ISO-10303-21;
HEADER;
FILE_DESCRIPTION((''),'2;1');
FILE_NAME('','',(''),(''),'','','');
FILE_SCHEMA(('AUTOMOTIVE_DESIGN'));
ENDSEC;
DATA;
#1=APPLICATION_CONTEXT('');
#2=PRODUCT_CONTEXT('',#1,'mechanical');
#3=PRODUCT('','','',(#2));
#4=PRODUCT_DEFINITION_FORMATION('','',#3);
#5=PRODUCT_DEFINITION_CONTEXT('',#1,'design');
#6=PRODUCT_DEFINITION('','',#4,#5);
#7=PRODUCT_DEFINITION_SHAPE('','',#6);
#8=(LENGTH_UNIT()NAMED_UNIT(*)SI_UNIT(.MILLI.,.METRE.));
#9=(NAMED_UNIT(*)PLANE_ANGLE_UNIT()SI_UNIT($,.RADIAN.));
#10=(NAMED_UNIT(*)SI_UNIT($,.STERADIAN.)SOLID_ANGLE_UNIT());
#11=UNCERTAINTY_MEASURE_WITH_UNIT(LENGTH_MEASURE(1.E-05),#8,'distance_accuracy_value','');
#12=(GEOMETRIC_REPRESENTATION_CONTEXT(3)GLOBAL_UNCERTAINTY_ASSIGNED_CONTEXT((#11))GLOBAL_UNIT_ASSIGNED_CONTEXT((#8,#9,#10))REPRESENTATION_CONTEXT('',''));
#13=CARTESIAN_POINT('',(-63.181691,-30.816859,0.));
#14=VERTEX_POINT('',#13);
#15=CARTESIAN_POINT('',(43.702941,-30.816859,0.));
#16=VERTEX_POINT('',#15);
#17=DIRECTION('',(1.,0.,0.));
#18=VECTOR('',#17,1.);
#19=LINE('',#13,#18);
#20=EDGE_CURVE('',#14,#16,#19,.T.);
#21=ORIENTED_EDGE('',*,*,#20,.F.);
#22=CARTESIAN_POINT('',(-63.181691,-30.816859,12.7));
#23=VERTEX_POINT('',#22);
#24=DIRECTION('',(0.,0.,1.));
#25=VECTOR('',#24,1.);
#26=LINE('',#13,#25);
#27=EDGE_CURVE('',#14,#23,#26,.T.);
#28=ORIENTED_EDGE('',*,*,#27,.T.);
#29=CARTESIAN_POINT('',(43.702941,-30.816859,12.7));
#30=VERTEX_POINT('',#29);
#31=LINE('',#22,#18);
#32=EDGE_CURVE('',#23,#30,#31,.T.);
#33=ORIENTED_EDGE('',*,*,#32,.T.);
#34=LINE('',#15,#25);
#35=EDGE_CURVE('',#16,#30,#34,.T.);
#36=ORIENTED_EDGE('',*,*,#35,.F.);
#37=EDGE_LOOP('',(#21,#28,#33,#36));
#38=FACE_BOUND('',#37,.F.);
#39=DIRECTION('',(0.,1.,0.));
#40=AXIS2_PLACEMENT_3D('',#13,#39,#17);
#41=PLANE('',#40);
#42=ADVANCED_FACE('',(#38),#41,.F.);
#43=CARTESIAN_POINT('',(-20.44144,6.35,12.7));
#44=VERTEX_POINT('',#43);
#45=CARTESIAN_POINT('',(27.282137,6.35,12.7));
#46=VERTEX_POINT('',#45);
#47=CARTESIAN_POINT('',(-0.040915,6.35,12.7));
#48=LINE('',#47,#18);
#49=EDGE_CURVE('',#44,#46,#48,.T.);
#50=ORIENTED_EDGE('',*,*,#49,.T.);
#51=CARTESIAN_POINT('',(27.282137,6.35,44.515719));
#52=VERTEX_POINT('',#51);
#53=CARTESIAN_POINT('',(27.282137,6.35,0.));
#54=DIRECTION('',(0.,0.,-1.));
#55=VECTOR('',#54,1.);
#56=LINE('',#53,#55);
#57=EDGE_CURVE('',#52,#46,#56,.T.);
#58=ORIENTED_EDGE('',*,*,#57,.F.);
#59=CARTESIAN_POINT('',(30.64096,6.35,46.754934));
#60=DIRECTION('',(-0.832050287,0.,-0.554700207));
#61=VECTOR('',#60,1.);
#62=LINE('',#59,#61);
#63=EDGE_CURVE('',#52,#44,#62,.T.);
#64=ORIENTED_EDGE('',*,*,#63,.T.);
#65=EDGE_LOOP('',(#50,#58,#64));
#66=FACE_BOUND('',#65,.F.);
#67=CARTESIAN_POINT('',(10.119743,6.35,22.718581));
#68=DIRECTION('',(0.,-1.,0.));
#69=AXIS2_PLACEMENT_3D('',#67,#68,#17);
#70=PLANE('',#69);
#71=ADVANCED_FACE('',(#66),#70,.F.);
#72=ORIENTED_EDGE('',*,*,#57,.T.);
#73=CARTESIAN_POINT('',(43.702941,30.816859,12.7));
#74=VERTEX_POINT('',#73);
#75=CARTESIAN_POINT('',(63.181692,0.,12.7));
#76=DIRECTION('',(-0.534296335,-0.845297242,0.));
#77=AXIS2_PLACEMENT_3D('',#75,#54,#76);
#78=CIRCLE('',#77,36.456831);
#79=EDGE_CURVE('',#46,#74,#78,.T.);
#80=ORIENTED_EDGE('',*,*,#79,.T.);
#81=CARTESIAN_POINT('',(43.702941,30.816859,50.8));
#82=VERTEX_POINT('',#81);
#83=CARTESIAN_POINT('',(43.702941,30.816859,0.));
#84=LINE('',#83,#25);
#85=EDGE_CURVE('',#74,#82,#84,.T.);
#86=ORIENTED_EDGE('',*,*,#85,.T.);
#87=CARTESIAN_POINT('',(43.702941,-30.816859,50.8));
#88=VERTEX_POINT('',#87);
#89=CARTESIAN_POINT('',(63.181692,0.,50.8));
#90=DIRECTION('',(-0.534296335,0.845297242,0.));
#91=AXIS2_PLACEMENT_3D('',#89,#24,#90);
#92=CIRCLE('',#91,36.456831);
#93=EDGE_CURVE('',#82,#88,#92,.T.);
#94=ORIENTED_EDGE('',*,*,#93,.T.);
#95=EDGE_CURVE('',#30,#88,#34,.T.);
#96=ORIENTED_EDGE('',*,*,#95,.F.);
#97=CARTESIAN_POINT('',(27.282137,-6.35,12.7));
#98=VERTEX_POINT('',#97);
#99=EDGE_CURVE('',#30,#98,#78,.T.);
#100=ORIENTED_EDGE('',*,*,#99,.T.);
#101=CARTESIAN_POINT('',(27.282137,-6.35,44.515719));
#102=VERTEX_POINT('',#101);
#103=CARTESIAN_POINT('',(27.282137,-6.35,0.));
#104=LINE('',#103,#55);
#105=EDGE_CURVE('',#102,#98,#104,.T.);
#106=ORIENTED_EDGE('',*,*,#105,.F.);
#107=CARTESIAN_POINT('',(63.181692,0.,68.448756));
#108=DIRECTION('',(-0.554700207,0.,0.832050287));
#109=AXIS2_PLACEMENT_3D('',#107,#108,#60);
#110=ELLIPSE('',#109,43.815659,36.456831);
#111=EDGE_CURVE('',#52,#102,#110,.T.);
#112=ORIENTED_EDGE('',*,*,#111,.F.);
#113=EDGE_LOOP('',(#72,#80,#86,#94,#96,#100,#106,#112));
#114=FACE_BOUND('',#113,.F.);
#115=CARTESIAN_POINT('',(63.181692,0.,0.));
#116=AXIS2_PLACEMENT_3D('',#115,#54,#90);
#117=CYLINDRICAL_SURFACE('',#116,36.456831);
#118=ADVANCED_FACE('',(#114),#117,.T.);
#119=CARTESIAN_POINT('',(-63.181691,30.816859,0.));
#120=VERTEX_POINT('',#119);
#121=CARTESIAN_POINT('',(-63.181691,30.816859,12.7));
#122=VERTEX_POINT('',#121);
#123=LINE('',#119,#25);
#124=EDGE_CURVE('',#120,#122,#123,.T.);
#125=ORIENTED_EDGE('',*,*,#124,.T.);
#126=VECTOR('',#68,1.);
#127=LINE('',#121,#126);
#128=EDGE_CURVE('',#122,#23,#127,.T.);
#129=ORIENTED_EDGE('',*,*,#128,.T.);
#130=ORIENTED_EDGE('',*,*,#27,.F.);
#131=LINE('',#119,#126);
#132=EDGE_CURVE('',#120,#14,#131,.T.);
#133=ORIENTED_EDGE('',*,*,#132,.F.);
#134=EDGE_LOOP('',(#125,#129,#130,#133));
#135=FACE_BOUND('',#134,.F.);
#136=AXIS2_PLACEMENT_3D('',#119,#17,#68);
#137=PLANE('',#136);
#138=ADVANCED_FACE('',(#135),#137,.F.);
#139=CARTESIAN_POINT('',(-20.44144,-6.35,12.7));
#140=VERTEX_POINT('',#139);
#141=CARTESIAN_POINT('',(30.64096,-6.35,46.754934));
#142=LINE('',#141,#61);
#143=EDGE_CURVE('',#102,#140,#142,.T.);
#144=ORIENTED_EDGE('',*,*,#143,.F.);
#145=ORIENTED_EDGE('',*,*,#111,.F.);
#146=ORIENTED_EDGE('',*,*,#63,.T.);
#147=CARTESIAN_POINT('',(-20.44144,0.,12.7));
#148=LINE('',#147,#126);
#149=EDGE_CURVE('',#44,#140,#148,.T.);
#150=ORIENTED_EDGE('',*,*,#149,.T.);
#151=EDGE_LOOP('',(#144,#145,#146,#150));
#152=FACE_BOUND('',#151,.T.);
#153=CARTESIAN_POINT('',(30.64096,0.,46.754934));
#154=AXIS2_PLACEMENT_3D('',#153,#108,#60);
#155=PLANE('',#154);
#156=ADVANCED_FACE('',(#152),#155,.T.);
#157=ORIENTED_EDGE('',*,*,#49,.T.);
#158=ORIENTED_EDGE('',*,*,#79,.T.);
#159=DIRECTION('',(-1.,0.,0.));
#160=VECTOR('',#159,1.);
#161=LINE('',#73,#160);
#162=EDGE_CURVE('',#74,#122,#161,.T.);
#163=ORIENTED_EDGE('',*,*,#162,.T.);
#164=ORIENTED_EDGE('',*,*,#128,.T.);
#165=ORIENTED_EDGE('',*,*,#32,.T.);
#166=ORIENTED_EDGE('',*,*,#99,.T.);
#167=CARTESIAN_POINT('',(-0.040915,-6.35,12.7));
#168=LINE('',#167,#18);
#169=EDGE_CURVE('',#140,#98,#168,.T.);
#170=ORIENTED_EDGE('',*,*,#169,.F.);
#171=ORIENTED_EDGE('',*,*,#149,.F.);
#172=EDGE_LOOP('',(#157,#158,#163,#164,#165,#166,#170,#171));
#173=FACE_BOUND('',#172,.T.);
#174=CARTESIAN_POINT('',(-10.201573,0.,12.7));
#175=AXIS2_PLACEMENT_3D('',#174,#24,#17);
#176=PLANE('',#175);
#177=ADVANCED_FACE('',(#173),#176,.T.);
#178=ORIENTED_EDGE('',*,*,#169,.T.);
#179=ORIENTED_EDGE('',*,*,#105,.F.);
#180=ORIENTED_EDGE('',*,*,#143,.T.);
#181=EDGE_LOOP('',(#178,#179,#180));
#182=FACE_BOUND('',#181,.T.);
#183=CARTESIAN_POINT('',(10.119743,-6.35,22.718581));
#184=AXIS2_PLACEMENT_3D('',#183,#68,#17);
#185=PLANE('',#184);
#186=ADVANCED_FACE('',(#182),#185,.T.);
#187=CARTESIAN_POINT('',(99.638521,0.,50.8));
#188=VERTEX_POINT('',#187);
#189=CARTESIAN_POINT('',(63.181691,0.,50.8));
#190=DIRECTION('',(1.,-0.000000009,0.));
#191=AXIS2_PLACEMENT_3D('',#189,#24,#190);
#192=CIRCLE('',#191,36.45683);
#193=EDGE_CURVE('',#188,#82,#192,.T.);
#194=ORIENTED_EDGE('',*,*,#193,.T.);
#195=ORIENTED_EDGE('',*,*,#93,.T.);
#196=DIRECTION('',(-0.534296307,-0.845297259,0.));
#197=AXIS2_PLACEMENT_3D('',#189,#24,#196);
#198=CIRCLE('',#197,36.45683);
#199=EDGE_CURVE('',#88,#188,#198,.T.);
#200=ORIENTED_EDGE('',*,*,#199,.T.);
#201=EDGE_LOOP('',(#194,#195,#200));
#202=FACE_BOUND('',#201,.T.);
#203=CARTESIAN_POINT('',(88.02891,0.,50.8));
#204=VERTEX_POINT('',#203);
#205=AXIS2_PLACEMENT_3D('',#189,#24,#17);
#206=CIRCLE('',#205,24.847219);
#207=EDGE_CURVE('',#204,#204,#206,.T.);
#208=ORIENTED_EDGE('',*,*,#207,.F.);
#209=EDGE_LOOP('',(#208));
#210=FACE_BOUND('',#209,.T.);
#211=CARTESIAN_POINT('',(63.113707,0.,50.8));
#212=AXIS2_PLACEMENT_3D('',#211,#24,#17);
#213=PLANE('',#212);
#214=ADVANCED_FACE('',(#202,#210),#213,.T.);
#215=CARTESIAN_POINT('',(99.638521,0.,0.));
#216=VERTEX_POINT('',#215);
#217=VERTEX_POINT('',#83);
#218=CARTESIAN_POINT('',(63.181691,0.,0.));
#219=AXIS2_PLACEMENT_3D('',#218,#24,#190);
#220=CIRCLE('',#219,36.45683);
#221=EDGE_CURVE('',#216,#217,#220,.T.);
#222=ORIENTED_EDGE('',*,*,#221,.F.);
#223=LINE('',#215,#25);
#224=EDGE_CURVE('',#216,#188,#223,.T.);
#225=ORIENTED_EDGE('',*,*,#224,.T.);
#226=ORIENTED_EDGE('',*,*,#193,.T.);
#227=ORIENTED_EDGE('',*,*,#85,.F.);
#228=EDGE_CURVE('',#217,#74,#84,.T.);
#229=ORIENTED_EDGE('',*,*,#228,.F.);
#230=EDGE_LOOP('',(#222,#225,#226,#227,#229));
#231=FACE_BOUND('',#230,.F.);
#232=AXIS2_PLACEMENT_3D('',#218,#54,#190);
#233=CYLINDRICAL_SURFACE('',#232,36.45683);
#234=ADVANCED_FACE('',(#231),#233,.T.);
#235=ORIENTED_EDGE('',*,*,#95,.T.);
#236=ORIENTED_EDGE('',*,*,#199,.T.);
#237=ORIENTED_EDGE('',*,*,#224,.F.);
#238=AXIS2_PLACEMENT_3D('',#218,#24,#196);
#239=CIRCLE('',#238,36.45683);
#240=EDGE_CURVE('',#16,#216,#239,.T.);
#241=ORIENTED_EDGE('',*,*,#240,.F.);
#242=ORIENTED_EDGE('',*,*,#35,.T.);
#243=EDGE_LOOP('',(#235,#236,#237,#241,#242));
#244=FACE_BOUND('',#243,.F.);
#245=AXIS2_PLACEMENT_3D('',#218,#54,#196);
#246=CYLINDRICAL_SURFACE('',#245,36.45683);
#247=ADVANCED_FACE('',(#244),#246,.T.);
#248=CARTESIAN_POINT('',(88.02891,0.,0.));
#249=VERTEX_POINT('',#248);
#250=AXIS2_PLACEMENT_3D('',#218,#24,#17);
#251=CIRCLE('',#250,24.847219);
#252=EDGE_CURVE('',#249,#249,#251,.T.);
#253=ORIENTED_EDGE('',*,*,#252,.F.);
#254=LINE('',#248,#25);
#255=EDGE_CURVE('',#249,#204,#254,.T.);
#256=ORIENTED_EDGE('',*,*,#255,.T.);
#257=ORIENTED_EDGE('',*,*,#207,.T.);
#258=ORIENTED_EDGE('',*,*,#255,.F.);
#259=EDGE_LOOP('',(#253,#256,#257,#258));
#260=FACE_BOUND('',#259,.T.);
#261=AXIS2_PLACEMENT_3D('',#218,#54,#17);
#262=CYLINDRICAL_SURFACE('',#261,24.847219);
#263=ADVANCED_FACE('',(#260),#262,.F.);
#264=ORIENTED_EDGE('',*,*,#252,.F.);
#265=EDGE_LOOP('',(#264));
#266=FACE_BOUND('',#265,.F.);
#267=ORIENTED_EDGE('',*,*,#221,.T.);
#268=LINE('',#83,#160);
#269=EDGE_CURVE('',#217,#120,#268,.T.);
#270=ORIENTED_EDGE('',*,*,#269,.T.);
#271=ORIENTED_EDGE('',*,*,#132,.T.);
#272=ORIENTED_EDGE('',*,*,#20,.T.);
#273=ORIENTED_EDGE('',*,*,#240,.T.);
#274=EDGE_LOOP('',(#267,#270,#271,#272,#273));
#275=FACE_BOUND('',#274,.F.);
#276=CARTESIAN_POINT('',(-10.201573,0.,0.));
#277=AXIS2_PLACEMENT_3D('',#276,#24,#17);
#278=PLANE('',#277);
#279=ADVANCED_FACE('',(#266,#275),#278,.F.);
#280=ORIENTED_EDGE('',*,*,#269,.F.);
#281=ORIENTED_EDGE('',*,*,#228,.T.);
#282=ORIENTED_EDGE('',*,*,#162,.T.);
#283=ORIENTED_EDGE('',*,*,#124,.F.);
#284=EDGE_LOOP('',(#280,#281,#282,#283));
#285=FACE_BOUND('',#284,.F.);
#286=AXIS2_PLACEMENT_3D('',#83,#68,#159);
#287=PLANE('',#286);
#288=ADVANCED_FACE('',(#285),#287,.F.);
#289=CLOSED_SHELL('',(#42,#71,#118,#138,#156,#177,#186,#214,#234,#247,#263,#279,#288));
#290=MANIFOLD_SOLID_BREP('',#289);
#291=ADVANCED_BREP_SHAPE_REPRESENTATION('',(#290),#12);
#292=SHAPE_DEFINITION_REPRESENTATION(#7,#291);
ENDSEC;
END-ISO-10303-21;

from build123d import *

# Parameters (mm, degrees)
F0_R     = 24.847219
F1_DEPTH = 50.8
F2_DEPTH = 12.7
F4_DEPTH = 6.35


with BuildPart() as f1:
    # F0 (on Top) → F1 (new body)
    with BuildSketch(Plane.XY):
        with BuildLine():
            ThreePointArc((99.638521, 0), (80.773834, 31.931442), (43.702941, 30.816859))
            ThreePointArc((43.702941, 30.816859), (26.724861, 0), (43.702941, -30.816859))
            ThreePointArc((43.702941, -30.816859), (80.773834, -31.931442), (99.638521, 0))
        make_face()
        with Locations((63.181691, 0)):
            Circle(F0_R, mode=Mode.SUBTRACT)
    extrude(amount=F1_DEPTH)

    # F0 (on Top) → F2 (join)
    with BuildSketch(Plane.XY):
        with BuildLine():
            Line((43.702941, 30.816859), (-63.181691, 30.816859))
            Line((-63.181691, 30.816859), (-63.181691, -30.816859))
            Line((-63.181691, -30.816859), (43.702941, -30.816859))
            ThreePointArc((43.702941, -30.816859), (26.724861, 0), (43.702941, 30.816859))
        make_face()
    extrude(amount=F2_DEPTH)

    # F3 (on Front) → F4 (join, symmetric)
    with BuildSketch(Plane.XZ):
        Polygon((30.64096, 11.108877), (30.64096, 46.754934), (-22.828124, 11.108877), align=None)
    extrude(amount=F4_DEPTH, both=True)


solid = f1.part
